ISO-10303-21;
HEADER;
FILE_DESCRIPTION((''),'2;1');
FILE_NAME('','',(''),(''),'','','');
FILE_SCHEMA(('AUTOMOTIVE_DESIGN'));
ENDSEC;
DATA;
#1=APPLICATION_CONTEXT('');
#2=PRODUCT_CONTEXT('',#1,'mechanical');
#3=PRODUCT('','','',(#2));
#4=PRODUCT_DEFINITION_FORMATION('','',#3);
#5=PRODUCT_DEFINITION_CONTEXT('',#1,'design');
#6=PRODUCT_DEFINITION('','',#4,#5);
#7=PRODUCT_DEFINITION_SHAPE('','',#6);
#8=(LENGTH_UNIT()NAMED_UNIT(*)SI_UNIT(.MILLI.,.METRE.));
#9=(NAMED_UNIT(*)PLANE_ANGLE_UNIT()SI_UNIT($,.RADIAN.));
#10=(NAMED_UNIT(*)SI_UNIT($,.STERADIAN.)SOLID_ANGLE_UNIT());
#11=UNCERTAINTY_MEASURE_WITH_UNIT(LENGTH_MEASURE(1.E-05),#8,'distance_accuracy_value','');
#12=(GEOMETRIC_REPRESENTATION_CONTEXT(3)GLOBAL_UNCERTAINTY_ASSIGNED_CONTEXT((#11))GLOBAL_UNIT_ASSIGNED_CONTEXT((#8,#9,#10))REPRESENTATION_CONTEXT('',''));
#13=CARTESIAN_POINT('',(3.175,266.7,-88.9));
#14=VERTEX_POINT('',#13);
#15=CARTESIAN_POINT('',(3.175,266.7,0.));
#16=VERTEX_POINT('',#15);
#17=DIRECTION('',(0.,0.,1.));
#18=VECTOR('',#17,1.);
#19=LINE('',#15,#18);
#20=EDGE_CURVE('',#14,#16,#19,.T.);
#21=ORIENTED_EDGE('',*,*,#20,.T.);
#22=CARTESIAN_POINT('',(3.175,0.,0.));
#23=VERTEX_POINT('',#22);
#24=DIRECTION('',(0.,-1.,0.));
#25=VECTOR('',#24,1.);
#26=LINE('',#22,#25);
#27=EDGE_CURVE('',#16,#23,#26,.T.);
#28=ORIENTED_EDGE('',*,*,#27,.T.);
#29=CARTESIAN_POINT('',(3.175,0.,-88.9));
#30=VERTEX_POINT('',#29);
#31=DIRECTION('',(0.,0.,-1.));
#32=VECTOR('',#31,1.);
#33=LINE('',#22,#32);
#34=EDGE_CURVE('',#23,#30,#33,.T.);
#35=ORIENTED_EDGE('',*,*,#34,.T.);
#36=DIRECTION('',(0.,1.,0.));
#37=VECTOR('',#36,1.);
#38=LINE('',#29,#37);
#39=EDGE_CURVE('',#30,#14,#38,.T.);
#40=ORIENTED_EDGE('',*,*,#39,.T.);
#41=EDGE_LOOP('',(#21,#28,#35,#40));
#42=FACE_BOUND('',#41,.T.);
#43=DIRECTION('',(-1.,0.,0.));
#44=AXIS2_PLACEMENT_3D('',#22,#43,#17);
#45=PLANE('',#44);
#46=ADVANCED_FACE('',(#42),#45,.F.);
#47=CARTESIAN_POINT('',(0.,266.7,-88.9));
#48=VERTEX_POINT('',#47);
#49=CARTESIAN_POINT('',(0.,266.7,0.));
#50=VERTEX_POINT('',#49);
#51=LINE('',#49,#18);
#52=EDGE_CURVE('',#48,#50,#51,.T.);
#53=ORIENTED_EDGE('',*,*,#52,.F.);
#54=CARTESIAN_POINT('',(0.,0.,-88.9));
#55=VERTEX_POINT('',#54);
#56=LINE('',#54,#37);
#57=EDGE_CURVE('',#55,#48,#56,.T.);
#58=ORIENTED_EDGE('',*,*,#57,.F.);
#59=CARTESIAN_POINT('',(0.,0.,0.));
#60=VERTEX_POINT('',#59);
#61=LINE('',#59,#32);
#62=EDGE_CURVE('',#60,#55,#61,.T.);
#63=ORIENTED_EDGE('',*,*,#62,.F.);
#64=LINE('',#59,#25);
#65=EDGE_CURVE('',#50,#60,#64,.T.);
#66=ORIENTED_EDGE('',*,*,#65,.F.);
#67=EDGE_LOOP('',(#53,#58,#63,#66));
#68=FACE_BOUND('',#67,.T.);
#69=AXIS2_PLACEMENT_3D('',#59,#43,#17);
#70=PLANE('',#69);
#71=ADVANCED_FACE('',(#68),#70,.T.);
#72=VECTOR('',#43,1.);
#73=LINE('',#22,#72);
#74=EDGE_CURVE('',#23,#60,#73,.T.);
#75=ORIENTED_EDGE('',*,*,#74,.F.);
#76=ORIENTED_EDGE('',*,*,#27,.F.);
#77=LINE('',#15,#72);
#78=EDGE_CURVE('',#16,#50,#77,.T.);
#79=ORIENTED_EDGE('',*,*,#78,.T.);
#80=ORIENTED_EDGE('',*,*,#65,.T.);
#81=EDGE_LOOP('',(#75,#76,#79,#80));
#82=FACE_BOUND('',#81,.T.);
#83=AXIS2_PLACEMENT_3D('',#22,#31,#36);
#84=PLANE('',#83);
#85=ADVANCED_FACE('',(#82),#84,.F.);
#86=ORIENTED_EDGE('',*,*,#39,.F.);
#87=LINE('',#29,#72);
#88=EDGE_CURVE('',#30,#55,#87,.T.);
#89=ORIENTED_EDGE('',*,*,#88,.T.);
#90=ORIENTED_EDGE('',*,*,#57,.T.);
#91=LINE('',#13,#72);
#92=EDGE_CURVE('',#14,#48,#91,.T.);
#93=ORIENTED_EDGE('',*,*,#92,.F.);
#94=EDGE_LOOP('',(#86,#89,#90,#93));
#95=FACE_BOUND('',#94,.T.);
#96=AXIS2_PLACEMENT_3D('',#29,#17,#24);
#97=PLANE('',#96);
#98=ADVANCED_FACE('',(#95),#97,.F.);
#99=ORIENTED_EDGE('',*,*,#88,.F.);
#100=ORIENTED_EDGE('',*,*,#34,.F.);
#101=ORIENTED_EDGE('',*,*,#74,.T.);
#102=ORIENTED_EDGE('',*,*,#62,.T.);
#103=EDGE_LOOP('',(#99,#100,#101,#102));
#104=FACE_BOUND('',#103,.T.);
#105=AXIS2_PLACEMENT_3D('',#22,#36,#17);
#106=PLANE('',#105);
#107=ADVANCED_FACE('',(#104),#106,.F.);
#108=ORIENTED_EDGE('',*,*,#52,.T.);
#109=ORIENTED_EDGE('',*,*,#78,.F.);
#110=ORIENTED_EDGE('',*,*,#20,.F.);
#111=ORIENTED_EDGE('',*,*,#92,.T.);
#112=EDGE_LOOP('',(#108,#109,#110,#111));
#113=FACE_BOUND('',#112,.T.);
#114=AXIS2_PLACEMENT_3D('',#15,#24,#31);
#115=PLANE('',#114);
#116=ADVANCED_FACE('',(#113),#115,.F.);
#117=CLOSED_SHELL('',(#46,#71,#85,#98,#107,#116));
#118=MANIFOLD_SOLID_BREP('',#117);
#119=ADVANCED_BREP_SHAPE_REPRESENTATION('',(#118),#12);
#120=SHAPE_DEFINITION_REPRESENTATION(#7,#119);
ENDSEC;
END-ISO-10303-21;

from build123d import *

# Parameters (mm, degrees)
SKETCH1_W           = 88.9
SKETCH1_H           = 266.7
BOSS_EXTRUDE1_DEPTH = 3.175


with BuildPart() as part:
    # Sketch1 → Boss-Extrude1 (new body)
    with BuildSketch(Plane(origin=(0, 0, 0), x_dir=(0, 0, -1), z_dir=(1, 0, 0))):
        with Locations((44.45, 133.35)):
            Rectangle(SKETCH1_W, SKETCH1_H)
    extrude(amount=BOSS_EXTRUDE1_DEPTH)


solid = part.part
